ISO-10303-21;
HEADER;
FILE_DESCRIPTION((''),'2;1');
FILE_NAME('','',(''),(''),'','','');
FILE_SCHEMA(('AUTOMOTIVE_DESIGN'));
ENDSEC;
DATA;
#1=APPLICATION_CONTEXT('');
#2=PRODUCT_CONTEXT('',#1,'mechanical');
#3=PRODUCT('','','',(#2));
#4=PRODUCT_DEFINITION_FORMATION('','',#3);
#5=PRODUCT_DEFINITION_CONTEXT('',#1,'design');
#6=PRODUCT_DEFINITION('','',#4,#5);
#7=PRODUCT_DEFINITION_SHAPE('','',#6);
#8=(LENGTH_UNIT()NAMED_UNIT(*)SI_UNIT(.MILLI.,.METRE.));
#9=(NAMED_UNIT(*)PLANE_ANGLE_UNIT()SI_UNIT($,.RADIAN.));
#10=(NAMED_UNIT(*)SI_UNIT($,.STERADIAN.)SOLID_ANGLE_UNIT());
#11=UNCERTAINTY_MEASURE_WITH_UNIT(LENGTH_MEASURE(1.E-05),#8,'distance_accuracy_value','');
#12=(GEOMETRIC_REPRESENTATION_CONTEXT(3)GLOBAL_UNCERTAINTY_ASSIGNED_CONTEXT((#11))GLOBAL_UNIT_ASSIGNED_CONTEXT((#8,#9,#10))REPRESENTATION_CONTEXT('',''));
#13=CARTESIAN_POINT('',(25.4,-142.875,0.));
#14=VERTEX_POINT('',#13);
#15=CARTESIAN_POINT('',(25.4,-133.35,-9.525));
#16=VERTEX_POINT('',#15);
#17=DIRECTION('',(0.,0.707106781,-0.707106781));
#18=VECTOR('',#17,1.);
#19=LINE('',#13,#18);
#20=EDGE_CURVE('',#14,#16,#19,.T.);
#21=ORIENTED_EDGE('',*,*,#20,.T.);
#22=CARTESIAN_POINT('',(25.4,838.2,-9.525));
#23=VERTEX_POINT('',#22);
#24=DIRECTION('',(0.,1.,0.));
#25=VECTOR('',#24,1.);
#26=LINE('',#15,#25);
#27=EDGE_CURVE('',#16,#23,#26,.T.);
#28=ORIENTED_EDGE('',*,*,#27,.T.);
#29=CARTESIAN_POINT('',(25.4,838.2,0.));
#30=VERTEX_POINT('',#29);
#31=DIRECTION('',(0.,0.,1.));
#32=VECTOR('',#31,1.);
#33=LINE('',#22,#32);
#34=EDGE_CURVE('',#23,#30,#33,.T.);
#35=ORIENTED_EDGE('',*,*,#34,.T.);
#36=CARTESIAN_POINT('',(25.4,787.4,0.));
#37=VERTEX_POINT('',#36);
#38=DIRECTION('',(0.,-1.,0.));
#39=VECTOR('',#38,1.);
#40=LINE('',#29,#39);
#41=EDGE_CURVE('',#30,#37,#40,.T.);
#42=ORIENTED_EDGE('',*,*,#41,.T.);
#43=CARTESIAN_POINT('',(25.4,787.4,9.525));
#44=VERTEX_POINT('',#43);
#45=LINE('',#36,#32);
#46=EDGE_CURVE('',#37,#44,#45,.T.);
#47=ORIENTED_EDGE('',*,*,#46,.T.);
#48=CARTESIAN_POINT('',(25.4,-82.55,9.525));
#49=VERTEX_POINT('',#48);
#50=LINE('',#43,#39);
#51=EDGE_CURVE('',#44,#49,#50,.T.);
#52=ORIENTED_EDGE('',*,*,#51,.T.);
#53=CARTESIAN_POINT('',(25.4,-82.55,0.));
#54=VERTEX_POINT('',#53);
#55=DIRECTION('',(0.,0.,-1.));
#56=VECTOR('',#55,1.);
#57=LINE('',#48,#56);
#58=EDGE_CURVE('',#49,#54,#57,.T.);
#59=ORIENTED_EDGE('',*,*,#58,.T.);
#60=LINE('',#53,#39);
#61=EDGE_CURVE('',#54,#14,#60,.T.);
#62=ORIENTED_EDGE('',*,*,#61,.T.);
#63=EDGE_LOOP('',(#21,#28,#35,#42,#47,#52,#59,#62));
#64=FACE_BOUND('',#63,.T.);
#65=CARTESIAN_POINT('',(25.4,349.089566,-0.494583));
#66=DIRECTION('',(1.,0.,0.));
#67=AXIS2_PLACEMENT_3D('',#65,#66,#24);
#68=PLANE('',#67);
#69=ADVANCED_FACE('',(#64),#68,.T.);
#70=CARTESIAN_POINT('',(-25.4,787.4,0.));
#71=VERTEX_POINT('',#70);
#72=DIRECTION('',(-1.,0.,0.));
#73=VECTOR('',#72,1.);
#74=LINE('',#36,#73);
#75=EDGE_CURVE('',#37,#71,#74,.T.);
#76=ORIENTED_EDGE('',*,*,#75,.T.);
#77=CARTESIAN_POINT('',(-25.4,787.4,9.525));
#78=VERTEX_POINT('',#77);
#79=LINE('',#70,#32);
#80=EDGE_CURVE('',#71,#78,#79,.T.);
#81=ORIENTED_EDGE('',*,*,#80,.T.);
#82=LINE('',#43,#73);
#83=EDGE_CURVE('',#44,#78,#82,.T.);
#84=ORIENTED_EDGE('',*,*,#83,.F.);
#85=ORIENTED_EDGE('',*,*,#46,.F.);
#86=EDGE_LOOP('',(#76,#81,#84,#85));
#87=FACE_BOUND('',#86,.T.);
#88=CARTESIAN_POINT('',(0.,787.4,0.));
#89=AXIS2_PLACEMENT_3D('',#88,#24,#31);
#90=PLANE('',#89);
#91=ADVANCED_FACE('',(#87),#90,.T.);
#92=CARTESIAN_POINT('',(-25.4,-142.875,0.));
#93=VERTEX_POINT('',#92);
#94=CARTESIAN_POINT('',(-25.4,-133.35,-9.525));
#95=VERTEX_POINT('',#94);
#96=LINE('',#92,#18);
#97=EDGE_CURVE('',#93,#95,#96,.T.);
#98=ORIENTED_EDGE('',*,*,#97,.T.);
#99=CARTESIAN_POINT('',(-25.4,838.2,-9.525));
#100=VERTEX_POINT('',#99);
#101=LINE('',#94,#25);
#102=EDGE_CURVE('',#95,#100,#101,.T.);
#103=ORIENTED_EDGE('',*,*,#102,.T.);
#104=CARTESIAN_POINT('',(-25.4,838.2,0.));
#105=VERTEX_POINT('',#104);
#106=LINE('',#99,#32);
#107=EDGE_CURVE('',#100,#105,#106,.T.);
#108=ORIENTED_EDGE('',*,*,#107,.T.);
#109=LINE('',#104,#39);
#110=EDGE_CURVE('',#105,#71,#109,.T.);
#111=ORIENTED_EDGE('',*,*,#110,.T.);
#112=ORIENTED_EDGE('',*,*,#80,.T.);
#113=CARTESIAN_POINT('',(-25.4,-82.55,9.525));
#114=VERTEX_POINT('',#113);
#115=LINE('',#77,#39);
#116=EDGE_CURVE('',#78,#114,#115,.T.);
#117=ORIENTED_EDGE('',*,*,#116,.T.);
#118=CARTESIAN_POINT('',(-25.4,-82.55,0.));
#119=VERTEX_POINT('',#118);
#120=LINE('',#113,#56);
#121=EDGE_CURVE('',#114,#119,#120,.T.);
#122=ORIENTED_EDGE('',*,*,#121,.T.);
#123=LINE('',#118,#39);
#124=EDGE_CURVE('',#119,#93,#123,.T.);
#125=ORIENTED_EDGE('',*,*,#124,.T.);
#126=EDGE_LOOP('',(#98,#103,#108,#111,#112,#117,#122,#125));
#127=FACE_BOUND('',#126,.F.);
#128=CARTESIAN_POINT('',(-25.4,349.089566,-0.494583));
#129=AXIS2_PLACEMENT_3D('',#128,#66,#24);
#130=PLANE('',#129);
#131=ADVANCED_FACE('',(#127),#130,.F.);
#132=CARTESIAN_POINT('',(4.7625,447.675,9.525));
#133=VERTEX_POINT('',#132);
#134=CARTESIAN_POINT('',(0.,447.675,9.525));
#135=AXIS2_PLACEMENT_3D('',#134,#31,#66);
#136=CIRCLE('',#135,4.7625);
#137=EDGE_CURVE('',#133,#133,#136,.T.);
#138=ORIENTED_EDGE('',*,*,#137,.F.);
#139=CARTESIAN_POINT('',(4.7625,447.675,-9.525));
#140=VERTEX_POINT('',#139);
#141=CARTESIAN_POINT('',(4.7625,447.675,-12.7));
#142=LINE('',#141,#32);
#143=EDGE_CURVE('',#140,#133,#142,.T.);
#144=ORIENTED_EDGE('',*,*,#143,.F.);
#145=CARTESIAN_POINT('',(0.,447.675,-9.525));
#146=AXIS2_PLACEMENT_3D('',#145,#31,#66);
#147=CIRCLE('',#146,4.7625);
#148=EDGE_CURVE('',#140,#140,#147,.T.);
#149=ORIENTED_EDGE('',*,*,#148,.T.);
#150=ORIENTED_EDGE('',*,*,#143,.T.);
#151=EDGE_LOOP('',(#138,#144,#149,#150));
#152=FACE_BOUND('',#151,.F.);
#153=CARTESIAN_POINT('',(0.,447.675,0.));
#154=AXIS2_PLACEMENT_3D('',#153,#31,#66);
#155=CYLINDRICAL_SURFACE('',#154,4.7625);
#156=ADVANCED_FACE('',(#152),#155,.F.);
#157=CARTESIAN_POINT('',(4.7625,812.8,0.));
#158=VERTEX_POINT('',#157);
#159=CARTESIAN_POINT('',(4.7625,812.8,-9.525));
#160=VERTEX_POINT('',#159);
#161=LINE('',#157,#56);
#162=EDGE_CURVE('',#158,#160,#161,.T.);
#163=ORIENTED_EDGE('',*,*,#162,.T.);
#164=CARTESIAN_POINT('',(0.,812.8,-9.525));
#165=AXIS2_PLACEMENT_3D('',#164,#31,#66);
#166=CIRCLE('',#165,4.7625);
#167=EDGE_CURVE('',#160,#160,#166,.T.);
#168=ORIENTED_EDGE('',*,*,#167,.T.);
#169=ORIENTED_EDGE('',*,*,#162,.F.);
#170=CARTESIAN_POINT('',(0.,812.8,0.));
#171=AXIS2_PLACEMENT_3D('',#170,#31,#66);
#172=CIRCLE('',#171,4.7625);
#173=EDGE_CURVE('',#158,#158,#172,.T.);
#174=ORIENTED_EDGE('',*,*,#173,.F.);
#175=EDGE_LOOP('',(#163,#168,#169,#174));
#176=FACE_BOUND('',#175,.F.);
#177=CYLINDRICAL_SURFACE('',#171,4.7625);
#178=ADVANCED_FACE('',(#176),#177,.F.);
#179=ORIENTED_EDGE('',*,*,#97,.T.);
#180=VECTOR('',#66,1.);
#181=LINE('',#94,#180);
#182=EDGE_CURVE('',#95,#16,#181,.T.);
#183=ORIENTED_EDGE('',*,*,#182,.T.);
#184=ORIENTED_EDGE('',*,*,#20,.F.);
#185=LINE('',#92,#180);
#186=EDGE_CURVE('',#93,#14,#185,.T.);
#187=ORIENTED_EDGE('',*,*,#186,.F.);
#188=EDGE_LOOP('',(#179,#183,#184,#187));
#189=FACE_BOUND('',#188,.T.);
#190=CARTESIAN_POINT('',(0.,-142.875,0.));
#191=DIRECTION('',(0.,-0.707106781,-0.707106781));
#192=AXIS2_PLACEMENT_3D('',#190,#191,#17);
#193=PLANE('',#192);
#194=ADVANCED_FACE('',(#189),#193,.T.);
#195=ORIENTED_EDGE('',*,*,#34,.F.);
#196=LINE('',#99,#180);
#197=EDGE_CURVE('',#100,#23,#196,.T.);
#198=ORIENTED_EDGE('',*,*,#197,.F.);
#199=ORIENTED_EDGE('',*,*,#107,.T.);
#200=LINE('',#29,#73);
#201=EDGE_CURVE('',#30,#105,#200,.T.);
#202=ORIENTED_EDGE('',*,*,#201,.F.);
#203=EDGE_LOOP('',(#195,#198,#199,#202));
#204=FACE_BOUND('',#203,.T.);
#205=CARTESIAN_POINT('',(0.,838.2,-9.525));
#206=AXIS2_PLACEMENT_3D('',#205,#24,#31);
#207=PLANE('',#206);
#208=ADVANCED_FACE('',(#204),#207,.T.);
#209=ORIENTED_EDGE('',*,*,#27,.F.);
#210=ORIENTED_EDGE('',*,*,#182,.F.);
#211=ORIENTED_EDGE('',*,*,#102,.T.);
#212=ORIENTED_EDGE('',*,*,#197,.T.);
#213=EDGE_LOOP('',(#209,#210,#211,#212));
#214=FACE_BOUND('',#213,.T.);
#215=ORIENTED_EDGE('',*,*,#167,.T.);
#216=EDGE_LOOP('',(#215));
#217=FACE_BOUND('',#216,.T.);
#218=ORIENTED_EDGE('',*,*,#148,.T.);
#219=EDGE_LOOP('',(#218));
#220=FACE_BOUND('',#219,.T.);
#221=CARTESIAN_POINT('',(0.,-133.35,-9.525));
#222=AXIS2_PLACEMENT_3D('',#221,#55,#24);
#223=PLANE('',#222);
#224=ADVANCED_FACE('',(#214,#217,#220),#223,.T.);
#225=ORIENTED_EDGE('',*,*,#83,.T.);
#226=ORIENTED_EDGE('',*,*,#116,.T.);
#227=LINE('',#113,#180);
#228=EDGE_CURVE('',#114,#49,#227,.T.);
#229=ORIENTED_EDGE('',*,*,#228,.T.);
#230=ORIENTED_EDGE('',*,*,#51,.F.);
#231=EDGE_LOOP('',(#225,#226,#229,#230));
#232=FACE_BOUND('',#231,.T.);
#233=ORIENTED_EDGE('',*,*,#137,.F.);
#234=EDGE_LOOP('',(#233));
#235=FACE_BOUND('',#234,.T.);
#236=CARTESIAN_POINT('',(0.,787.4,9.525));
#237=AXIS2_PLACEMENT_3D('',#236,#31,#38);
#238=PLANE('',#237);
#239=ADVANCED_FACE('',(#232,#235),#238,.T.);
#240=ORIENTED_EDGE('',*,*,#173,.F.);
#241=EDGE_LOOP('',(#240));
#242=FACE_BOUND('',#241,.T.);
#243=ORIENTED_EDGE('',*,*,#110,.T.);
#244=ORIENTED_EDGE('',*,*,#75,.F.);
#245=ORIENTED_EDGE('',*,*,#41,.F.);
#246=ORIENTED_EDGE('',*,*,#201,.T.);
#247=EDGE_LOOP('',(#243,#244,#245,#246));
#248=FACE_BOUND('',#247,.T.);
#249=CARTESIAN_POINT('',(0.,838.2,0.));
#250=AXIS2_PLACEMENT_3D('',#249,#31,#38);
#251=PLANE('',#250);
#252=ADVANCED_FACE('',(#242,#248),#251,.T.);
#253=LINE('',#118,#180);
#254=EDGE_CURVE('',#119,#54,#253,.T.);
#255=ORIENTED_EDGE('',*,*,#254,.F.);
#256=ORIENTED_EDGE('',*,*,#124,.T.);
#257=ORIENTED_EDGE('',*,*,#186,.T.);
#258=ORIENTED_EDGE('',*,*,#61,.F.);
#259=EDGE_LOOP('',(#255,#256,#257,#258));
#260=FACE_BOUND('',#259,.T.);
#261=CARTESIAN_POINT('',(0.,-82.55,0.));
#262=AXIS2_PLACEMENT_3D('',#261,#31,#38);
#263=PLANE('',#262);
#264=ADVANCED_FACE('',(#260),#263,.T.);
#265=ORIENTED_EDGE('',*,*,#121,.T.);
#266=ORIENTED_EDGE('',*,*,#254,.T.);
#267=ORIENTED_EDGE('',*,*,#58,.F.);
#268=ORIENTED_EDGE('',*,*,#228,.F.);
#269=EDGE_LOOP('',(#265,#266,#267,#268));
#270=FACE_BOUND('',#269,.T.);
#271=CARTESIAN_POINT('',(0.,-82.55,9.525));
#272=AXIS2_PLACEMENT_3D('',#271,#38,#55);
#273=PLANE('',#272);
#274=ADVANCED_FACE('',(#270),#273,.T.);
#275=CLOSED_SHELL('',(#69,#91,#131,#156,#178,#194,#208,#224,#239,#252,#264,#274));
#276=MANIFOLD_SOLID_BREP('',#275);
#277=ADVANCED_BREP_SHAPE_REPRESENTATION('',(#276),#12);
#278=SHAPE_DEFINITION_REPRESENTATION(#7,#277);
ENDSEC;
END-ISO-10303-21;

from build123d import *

# Parameters (mm, degrees)
F1_DEPTH = 25.4
F2_R     = 4.7625
F3_DEPTH = 12.7


with BuildPart() as f1:
    # F0 (on Right) → F1 (new body, symmetric)
    with BuildSketch(Plane.YZ):
        Polygon((787.4, 9.525), (0, 9.525), (-82.55, 9.525), (-82.55, 0), (-142.875, 0), (-133.35, -9.525), (-33.290768, -9.525), (838.2, -9.525), (838.2, 0), (787.4, 0), align=None)
    extrude(amount=F1_DEPTH, both=True)

    # F2 (on Top) → F3 (cut, symmetric)
    with BuildSketch(Plane.XY):
        with Locations((0, 812.8)):
            Circle(F2_R)
        with Locations((0, 447.675)):
            Circle(F2_R)
    extrude(amount=F3_DEPTH, both=True, mode=Mode.SUBTRACT)


solid = f1.part
